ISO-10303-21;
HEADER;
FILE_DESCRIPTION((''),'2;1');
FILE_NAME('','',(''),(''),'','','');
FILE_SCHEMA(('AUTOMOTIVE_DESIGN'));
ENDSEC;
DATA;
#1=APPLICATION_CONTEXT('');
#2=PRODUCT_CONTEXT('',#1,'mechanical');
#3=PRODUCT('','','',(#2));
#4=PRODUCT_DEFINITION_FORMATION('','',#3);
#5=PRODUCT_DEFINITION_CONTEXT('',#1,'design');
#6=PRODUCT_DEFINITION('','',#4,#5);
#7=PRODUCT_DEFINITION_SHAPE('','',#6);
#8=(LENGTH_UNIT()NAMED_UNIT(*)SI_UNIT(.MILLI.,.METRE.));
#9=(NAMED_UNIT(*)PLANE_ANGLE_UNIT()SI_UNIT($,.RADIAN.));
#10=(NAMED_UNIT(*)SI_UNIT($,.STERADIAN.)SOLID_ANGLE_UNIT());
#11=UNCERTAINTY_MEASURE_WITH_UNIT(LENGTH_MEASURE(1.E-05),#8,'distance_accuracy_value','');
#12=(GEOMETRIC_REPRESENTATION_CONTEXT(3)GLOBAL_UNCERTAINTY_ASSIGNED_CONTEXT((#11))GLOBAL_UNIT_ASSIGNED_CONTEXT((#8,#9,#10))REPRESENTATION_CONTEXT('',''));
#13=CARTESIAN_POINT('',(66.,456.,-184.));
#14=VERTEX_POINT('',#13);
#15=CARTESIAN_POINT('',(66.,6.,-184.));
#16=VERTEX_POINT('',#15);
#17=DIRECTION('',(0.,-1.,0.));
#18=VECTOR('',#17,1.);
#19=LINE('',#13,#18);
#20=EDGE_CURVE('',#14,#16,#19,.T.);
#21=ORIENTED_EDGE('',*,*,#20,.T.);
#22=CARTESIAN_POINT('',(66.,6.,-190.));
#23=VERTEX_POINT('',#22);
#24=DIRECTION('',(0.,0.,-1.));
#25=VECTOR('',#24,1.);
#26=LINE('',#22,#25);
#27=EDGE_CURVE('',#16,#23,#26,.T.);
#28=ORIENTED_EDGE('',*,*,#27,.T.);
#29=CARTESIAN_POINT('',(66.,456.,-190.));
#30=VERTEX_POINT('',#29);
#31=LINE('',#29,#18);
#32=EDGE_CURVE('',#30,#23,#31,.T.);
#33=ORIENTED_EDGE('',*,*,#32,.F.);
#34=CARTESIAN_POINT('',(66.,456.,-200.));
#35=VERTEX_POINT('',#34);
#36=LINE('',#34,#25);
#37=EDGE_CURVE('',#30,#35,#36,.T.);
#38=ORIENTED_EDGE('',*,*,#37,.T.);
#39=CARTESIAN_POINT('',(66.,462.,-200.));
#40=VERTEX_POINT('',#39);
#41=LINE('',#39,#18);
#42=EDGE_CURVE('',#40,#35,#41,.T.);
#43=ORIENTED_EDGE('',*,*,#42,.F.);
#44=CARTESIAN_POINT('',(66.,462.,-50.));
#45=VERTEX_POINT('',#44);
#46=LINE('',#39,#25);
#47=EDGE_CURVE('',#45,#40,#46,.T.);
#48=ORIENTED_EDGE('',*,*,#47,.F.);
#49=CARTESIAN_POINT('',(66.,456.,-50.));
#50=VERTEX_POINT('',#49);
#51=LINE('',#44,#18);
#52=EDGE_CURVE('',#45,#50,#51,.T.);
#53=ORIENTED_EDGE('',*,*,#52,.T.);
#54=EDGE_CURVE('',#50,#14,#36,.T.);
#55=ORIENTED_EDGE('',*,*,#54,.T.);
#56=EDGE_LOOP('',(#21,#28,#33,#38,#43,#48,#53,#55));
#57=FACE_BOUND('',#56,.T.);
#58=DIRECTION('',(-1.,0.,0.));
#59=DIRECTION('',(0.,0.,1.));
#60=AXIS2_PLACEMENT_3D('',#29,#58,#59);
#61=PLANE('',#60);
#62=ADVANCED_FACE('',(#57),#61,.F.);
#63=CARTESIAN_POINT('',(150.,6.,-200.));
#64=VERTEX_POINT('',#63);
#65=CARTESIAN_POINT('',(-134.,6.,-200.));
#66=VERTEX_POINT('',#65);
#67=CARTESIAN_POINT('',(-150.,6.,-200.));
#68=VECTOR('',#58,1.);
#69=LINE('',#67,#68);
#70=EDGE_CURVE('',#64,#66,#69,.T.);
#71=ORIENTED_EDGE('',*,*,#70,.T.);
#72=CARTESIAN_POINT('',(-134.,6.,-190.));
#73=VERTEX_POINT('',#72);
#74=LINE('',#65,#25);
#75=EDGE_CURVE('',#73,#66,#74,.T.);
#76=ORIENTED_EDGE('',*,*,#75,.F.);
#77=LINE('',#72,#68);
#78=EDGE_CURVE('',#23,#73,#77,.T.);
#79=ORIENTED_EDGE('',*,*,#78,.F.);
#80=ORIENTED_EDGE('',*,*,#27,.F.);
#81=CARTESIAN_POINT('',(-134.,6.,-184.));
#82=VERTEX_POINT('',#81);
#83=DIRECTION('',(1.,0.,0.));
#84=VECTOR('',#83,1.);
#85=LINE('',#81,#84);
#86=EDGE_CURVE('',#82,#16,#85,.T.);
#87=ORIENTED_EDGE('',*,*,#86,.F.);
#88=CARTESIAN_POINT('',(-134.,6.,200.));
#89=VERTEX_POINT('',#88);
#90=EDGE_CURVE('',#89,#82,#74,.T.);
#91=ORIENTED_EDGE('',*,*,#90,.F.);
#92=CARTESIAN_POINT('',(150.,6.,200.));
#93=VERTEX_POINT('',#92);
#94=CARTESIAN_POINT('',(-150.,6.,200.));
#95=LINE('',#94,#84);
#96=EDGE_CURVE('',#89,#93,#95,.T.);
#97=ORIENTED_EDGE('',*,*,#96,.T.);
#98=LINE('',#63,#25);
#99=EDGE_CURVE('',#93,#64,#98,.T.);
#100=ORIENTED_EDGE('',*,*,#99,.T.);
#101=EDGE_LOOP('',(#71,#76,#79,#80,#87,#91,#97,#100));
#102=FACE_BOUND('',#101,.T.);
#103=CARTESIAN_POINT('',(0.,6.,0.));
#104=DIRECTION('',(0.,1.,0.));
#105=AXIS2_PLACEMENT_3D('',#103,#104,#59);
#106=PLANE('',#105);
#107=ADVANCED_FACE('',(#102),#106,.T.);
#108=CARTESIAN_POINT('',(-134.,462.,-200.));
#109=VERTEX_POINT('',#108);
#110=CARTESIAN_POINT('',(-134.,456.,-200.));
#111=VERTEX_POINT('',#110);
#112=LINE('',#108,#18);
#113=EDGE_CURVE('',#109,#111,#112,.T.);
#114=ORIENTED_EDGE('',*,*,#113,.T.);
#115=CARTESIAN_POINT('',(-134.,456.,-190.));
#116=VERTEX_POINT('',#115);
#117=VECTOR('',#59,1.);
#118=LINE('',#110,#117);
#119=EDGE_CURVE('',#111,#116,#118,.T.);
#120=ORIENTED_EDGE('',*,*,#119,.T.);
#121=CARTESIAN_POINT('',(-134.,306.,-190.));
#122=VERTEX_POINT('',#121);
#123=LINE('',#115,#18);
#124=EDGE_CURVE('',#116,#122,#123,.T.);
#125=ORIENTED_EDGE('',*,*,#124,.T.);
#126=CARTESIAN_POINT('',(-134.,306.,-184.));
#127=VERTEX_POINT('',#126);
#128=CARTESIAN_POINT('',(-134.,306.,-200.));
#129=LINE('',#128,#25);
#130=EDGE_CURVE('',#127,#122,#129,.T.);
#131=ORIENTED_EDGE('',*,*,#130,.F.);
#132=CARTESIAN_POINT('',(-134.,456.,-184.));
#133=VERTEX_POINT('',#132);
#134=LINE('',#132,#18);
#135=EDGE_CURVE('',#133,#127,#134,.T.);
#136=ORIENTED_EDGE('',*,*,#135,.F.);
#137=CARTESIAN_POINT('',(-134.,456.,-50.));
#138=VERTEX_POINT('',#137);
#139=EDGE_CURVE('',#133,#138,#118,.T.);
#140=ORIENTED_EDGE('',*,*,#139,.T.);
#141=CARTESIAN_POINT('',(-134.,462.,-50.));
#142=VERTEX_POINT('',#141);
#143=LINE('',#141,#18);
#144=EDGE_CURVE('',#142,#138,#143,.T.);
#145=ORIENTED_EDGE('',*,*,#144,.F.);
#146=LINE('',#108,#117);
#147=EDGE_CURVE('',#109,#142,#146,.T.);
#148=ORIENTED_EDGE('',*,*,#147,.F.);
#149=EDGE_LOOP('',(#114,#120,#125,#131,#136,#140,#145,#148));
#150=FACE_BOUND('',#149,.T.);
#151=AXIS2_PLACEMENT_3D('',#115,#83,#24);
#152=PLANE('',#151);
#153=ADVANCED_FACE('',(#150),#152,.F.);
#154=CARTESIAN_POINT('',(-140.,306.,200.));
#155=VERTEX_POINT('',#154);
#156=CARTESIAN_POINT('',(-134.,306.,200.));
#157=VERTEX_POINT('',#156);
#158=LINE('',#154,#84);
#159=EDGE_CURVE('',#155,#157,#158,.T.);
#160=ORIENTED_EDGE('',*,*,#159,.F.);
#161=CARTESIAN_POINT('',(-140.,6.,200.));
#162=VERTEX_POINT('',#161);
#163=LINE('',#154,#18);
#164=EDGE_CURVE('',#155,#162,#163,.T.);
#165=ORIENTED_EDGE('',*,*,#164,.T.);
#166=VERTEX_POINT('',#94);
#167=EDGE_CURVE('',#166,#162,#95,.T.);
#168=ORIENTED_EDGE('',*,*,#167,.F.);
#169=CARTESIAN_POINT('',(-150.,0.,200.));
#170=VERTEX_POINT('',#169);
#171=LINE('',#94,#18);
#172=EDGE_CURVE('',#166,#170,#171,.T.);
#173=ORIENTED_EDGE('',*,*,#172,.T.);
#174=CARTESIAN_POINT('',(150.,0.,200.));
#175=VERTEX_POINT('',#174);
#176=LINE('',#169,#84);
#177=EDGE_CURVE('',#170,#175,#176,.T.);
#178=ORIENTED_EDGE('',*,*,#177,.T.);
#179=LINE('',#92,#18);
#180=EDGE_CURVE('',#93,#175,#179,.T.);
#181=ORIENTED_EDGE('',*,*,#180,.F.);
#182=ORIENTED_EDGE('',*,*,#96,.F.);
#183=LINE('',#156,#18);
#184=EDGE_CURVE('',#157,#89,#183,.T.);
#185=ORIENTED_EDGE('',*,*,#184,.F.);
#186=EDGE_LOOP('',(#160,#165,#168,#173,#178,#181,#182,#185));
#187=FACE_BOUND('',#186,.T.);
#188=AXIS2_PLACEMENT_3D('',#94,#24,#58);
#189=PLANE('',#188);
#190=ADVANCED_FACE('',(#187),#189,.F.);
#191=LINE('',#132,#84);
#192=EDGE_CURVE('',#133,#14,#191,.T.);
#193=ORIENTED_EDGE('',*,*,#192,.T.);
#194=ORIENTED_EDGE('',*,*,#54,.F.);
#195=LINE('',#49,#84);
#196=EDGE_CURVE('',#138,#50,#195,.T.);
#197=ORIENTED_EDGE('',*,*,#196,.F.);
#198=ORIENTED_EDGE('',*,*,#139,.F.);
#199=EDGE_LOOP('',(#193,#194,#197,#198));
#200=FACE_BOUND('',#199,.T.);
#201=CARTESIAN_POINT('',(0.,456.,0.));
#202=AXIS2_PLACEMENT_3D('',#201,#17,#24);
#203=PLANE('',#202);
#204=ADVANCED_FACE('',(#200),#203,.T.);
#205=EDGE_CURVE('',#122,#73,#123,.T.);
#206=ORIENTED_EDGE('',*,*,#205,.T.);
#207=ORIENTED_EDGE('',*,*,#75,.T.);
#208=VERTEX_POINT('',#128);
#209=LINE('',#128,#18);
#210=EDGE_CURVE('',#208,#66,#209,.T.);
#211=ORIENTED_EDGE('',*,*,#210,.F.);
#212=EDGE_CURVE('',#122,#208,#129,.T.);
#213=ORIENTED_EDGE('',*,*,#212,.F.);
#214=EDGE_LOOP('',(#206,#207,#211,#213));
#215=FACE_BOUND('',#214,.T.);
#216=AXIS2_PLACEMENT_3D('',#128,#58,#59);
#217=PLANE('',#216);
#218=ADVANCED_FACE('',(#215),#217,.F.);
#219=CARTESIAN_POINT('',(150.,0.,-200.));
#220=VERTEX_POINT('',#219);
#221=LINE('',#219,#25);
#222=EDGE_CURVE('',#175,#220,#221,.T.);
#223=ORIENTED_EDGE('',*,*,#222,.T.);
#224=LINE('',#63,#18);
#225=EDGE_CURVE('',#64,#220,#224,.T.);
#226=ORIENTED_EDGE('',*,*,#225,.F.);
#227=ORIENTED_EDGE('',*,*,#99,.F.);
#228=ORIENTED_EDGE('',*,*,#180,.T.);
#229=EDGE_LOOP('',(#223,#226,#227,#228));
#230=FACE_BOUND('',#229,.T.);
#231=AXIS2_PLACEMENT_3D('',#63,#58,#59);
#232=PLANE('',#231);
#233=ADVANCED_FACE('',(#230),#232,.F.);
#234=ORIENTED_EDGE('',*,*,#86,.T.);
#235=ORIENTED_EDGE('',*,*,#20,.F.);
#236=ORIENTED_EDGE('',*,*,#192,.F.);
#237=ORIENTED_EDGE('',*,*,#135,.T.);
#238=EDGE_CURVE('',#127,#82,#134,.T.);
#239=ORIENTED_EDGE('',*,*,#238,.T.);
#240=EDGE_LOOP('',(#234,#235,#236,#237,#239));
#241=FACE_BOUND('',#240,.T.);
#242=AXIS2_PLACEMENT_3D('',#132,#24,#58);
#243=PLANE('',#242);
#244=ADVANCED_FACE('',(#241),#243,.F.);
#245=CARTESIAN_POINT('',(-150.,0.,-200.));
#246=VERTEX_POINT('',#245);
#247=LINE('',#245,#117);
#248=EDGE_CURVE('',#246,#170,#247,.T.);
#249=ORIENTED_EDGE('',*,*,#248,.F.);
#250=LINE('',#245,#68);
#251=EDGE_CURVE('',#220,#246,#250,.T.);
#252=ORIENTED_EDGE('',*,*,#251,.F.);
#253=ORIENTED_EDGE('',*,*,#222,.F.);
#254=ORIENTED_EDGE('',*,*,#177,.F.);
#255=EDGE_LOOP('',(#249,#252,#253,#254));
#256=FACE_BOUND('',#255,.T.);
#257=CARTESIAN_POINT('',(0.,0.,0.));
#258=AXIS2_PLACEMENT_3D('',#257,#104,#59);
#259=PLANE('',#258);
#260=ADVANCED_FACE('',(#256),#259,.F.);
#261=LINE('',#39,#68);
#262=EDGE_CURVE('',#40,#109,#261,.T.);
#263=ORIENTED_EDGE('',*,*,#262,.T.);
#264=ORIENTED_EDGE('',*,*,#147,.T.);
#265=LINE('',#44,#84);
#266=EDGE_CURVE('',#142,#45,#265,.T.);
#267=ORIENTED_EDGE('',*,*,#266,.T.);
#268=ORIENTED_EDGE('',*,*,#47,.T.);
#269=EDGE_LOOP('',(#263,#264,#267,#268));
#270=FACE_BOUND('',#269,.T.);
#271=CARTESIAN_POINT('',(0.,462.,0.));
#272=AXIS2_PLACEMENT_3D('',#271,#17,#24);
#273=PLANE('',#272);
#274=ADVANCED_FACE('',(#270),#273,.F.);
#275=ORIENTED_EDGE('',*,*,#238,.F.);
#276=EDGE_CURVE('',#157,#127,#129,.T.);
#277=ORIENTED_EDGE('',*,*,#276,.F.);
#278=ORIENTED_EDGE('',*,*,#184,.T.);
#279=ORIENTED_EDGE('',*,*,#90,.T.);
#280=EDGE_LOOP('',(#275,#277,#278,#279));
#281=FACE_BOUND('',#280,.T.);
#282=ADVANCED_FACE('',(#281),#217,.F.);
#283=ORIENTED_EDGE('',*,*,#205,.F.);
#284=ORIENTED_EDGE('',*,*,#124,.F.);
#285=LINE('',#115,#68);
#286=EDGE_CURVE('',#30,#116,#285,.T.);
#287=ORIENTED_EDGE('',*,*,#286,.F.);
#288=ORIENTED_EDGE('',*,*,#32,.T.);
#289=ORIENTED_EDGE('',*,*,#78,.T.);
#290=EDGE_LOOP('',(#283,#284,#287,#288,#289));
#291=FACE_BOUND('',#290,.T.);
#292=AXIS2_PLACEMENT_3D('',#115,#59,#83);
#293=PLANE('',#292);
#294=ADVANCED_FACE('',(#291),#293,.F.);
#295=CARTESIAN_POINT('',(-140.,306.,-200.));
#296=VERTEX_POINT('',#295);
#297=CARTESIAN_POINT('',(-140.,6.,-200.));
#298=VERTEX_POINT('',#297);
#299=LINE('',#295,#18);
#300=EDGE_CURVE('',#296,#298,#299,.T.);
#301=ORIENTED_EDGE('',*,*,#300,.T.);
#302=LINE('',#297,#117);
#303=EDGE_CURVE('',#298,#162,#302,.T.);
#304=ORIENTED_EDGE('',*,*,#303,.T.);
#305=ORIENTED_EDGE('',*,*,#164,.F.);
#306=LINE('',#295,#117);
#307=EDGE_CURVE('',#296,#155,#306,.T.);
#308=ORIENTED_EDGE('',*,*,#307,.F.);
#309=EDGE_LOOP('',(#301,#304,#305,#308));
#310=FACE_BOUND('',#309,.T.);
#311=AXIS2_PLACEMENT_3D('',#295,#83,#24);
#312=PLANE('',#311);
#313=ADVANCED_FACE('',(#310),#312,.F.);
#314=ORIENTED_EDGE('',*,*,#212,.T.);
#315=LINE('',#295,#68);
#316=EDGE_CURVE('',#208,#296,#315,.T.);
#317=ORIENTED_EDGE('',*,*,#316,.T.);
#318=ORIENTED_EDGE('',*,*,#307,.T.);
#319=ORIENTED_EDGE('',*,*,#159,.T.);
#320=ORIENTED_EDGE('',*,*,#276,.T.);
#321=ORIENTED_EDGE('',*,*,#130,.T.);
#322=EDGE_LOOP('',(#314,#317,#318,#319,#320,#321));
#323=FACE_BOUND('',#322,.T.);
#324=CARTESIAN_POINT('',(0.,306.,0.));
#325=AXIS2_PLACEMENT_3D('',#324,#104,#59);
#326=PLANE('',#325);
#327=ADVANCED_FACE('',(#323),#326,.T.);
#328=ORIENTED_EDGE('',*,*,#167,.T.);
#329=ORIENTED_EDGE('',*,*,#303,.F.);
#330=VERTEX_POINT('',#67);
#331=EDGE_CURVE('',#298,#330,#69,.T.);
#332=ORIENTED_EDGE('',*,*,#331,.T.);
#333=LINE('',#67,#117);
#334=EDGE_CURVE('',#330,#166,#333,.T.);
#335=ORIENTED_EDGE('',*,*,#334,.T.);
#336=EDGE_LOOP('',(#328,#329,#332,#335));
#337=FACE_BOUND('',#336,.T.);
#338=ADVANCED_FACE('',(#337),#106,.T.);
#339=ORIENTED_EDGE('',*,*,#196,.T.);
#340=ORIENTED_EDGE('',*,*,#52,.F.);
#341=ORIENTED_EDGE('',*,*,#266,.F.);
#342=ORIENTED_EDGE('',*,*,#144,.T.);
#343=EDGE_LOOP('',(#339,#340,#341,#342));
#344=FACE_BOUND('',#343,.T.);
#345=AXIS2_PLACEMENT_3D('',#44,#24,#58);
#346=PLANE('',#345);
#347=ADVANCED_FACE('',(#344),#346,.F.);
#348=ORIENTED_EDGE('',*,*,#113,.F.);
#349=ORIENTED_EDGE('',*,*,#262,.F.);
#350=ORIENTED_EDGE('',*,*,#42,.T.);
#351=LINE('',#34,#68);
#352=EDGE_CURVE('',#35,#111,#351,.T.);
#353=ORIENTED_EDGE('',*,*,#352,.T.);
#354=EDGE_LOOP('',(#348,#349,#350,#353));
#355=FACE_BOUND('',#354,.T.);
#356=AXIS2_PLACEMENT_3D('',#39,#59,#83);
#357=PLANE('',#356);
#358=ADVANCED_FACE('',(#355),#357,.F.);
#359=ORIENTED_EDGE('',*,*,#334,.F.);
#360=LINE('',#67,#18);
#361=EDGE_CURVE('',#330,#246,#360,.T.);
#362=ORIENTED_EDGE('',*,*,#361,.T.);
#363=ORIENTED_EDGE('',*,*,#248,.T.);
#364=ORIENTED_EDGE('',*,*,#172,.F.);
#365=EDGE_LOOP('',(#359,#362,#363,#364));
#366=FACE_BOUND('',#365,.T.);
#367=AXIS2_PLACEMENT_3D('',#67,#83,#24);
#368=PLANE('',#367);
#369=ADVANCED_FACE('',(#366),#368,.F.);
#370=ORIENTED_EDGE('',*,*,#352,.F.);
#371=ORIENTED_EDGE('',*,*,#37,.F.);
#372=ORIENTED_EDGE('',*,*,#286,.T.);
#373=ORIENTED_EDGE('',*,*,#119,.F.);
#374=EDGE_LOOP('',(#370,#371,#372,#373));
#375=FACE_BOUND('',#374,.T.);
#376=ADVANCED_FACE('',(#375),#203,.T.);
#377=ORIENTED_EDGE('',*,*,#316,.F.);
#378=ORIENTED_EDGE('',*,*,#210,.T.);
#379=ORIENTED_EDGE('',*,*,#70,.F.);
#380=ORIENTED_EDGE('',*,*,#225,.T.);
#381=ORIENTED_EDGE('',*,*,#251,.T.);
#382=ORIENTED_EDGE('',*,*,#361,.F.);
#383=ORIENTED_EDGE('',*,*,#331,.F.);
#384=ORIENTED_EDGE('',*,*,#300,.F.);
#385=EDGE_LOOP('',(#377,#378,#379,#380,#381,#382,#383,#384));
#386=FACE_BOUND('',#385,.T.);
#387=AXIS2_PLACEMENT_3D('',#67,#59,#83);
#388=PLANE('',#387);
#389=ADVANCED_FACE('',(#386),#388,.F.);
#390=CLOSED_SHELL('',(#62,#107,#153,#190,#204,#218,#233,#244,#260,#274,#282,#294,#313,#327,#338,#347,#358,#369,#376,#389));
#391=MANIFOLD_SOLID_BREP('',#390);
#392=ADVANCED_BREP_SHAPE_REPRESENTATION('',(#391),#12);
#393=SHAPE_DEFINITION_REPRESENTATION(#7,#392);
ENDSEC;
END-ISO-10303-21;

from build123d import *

# Parameters (mm, degrees)
SKETCH1_W           = 300
SKETCH1_H           = 400
BOSS_EXTRUDE1_DEPTH = 6
SKETCH2_W           = 6
SKETCH2_H           = 400
BOSS_EXTRUDE2_DEPTH = 300
SKETCH3_W           = 200
SKETCH3_H           = 6
BOSS_EXTRUDE3_DEPTH = 450
SKETCH5_W           = 200
SKETCH5_H           = 150
BOSS_EXTRUDE4_DEPTH = 6


with BuildPart() as part:
    # Sketch1 → Boss-Extrude1 (new body)
    with BuildSketch(Plane(origin=(0, 0, 0), x_dir=(1, 0, 0), z_dir=(0, 1, 0))):
        Rectangle(SKETCH1_W, SKETCH1_H)
    extrude(amount=BOSS_EXTRUDE1_DEPTH)

    # Sketch2 → Boss-Extrude2 (add)
    with BuildSketch(Plane(origin=(0, 6, 0), x_dir=(1, 0, 0), z_dir=(0, 1, 0))):
        with Locations((-137, 0)):
            Rectangle(SKETCH2_W, SKETCH2_H)
    extrude(amount=BOSS_EXTRUDE2_DEPTH)

    # Sketch3 → Boss-Extrude3 (add)
    with BuildSketch(Plane(origin=(0, 6, 0), x_dir=(1, 0, 0), z_dir=(0, 1, 0))):
        with Locations((-34, 187)):
            Rectangle(SKETCH3_W, SKETCH3_H)
    extrude(amount=BOSS_EXTRUDE3_DEPTH)

    # Sketch5 → Boss-Extrude4 (add)
    with BuildSketch(Plane(origin=(0, 456, 0), x_dir=(1, 0, 0), z_dir=(0, 1, 0))):
        with Locations((-34, 125)):
            Rectangle(SKETCH5_W, SKETCH5_H)
    extrude(amount=BOSS_EXTRUDE4_DEPTH)


solid = part.part
